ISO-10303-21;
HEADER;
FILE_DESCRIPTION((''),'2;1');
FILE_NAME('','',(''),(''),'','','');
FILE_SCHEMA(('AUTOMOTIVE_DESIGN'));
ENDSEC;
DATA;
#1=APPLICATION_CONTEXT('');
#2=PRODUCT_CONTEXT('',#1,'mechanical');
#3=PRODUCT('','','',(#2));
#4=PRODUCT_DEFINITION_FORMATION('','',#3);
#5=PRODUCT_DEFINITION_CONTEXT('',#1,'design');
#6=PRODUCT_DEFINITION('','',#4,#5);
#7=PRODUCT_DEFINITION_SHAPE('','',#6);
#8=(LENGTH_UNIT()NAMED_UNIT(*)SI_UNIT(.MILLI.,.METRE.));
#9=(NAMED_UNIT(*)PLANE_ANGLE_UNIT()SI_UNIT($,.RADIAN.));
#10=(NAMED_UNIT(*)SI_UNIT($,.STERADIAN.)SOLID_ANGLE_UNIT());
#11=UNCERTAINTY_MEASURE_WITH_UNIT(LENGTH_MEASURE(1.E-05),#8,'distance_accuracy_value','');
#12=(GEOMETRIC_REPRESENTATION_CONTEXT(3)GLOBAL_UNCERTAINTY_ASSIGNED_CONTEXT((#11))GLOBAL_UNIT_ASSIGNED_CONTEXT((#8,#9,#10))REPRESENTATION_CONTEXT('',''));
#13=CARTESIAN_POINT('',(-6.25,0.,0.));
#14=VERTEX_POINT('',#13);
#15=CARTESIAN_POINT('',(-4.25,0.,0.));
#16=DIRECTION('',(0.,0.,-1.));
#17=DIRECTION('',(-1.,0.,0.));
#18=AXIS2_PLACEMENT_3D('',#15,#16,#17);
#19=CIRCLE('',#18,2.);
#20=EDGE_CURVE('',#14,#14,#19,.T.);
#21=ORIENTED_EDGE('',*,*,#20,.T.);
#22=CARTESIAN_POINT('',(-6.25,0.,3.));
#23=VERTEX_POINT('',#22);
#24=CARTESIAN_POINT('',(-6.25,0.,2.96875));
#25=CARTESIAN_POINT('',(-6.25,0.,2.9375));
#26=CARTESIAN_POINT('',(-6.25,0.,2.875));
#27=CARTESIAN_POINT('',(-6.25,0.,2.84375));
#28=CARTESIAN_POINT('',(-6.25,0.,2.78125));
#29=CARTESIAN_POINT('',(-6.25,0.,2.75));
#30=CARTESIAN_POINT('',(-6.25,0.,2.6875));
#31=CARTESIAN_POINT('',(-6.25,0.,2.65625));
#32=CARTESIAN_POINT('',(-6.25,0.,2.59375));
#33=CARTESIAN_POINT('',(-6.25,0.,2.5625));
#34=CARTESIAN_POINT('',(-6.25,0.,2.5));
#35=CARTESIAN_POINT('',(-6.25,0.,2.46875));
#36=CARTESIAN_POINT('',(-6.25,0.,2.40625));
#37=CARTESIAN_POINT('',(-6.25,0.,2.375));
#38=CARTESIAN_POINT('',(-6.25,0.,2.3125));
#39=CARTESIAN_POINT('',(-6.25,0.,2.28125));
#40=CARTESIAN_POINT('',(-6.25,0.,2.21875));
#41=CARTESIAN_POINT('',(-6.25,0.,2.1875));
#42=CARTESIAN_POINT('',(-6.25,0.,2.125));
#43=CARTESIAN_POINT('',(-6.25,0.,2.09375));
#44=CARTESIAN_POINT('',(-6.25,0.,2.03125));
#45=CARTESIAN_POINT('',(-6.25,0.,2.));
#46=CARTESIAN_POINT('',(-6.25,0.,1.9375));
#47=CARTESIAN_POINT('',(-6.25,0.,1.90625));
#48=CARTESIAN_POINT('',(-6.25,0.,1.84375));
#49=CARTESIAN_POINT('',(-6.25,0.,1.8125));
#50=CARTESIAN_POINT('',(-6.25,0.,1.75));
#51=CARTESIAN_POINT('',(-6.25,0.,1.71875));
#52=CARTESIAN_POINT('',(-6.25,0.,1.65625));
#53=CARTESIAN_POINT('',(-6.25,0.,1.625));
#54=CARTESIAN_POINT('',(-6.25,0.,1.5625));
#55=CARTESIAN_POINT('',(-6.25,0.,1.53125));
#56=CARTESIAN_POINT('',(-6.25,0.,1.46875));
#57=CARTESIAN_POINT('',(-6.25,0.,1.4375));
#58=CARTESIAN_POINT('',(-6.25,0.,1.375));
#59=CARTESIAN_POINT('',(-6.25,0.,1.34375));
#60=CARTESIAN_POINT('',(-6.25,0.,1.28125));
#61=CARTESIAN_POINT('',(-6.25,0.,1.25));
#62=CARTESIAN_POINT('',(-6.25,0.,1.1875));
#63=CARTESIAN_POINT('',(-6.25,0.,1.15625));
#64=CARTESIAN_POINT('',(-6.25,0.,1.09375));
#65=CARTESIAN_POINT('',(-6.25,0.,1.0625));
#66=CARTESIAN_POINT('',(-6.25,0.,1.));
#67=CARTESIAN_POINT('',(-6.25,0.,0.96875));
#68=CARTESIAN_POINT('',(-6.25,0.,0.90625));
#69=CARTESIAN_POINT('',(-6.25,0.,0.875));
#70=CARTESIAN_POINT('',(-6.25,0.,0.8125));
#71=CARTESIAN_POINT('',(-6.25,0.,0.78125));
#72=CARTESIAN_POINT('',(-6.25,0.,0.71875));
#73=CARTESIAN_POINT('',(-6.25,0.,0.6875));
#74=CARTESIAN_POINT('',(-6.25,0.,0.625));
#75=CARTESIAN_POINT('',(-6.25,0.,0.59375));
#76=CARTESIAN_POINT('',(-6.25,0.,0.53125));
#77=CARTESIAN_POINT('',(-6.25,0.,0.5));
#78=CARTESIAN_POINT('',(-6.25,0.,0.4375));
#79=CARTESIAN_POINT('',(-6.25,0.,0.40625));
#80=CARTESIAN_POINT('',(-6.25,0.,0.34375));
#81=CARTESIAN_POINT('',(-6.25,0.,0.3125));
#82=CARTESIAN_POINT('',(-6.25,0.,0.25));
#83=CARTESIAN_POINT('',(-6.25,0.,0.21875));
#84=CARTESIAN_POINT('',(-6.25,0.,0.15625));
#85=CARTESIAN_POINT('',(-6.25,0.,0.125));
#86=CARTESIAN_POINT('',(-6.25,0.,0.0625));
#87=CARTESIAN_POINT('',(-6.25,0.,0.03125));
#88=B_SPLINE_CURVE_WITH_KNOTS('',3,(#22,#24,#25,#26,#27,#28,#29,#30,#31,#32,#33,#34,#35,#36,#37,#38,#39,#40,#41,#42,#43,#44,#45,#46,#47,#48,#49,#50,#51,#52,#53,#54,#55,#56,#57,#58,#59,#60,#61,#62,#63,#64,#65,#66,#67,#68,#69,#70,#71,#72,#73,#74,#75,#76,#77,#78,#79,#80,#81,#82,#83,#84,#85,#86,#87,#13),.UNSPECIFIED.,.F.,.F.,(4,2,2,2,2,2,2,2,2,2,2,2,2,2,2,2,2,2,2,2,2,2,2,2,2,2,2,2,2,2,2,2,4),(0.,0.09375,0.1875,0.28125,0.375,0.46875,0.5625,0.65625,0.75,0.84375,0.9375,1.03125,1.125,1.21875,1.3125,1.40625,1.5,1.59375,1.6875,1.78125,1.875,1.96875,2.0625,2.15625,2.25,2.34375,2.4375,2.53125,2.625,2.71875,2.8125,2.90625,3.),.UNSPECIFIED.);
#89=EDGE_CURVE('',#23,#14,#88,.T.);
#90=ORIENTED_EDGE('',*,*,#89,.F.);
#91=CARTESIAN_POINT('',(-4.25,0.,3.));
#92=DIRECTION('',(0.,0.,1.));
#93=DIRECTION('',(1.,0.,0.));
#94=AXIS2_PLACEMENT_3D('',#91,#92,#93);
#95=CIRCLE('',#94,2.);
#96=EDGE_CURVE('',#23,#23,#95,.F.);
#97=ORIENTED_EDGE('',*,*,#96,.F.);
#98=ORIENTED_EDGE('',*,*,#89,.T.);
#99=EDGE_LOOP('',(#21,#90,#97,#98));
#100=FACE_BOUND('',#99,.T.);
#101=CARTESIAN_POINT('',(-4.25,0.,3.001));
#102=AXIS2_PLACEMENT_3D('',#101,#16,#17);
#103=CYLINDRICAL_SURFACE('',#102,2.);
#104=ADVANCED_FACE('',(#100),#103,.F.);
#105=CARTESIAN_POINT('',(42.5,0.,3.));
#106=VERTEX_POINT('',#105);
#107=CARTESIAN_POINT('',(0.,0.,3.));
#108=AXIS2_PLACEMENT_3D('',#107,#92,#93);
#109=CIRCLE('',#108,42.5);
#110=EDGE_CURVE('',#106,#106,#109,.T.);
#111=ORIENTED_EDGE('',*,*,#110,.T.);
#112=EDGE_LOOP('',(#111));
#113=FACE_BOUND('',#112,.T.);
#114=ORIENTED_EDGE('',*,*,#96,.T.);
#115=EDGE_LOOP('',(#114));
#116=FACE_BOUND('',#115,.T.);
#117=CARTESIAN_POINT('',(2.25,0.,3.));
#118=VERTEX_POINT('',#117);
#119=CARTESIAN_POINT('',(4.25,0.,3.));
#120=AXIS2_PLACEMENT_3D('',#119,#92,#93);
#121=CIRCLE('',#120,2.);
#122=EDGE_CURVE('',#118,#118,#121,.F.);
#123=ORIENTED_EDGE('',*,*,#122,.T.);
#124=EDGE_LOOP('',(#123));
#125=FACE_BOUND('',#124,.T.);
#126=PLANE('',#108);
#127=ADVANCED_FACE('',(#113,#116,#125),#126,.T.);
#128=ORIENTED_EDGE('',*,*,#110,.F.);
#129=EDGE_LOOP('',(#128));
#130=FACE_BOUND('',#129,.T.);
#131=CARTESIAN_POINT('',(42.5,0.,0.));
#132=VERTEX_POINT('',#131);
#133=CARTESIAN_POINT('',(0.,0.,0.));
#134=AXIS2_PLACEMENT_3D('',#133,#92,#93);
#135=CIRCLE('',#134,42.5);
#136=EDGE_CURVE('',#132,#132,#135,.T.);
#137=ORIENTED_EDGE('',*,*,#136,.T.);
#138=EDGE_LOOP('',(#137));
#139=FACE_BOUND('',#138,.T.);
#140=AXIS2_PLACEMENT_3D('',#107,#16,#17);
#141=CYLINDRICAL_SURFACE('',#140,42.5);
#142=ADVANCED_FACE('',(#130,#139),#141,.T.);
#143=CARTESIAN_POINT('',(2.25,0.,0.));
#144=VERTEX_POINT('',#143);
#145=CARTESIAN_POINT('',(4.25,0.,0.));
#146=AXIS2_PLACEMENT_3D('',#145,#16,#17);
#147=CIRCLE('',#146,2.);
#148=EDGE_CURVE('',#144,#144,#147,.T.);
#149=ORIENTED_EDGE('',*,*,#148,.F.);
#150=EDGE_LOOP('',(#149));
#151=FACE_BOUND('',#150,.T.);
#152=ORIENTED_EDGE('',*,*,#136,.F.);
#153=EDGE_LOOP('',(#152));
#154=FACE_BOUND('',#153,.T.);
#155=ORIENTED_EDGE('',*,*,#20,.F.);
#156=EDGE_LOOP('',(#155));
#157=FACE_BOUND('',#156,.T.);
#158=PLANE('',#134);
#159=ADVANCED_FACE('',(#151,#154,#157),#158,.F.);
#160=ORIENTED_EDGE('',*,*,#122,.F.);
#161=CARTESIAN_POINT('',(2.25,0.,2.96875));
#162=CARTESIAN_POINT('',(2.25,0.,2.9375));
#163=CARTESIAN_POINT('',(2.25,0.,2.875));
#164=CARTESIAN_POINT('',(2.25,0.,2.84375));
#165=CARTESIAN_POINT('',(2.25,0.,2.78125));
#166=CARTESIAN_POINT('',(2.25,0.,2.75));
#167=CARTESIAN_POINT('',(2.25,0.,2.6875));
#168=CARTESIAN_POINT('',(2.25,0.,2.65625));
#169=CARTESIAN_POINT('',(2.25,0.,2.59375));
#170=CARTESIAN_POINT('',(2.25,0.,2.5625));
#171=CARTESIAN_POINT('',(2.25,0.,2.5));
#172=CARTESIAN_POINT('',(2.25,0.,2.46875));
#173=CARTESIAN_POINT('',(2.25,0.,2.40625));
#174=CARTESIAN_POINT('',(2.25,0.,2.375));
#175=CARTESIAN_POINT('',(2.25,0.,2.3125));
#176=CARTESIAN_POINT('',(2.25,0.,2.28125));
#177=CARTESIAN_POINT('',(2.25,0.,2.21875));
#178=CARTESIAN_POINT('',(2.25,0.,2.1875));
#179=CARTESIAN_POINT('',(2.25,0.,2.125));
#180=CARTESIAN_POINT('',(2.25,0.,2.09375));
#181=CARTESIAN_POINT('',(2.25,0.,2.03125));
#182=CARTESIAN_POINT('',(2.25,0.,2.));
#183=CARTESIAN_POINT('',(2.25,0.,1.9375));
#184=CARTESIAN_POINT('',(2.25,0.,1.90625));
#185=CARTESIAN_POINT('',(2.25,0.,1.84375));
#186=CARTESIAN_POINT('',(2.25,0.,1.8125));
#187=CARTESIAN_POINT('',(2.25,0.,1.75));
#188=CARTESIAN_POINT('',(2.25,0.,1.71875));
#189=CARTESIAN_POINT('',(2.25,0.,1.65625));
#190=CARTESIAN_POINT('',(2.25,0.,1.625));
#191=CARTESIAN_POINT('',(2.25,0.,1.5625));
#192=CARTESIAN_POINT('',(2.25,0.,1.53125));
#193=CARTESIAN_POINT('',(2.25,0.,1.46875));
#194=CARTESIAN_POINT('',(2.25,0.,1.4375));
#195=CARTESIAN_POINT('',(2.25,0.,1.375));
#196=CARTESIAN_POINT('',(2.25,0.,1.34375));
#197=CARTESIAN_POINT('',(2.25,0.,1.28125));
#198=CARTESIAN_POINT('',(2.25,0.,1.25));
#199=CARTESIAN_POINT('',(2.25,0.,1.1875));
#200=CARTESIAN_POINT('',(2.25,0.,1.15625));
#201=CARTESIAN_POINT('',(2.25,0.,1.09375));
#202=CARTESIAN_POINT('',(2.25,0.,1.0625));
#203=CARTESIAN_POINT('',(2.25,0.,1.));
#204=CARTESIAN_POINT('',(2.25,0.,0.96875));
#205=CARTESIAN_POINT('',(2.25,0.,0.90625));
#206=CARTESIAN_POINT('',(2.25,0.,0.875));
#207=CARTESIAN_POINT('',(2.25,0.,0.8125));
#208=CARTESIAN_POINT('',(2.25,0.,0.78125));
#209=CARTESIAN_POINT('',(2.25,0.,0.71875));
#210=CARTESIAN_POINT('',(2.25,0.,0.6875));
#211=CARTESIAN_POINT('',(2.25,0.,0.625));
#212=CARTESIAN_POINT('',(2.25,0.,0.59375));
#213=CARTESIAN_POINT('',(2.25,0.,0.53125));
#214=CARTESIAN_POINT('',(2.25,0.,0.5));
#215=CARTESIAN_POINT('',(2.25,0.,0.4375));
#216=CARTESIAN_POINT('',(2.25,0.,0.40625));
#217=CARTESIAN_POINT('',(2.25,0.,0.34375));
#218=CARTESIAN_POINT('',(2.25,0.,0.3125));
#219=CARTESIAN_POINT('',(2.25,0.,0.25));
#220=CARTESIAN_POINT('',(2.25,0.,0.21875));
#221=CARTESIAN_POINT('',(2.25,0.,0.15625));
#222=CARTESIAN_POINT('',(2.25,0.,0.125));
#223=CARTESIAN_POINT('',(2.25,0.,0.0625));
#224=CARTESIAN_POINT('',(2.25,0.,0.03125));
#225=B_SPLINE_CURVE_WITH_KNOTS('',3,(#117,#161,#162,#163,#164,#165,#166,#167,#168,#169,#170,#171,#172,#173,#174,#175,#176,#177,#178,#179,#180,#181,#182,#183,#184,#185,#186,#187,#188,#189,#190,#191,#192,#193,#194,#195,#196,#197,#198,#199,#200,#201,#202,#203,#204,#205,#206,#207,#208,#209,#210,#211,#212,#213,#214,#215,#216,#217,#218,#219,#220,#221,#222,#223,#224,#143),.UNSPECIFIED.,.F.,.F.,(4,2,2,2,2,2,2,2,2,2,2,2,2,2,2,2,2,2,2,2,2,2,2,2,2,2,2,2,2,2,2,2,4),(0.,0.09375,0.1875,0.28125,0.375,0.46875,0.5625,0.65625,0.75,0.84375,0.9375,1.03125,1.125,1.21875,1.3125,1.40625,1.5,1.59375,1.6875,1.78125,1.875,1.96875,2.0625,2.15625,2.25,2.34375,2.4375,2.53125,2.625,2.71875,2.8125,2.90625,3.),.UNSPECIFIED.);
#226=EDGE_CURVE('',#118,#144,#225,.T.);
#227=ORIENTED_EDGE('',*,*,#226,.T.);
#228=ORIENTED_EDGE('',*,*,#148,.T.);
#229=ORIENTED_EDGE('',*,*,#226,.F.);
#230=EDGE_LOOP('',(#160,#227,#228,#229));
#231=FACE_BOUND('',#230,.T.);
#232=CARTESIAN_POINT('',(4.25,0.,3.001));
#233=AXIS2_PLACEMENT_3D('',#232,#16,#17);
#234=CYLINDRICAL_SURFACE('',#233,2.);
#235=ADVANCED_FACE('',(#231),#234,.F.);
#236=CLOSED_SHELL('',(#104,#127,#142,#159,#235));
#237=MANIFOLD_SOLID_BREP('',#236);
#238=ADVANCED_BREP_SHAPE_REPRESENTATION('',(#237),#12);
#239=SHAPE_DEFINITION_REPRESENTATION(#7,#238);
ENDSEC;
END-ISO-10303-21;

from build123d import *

# Parameters (mm, degrees)
SKETCH_1_R          = 42.5
EXTRUDE_1_DEPTH     = 3
CUT_EXTRUDE_1_REACH = 62.179
SKETCH_2_R          = 2


with BuildPart() as part:
    # 草图1 → 凸台-拉伸1 (new body)
    with BuildSketch(Plane.XY):
        Circle(SKETCH_1_R)
    extrude(amount=EXTRUDE_1_DEPTH)

    # 草图2 → 切除-拉伸1 (cut, up to next)
    with BuildSketch(Plane(origin=(0, 0, 0), x_dir=(-1, 0, 0), z_dir=(0, 0, -1)), mode=Mode.PRIVATE) as cut_extrude_1_sk1:
        with Locations((4.25, 0)):
            Circle(SKETCH_2_R)
    cut_extrude_1_tool1 = extrude(cut_extrude_1_sk1.sketch, amount=-CUT_EXTRUDE_1_REACH, mode=Mode.PRIVATE) & part.part
    # 草图2 → 切除-拉伸1 (cut, up to next)
    with BuildSketch(Plane(origin=(0, 0, 0), x_dir=(-1, 0, 0), z_dir=(0, 0, -1)), mode=Mode.PRIVATE) as cut_extrude_1_sk2:
        with Locations((-4.25, 0)):
            Circle(SKETCH_2_R)
    cut_extrude_1_tool2 = extrude(cut_extrude_1_sk2.sketch, amount=-CUT_EXTRUDE_1_REACH, mode=Mode.PRIVATE) & part.part
    add(cut_extrude_1_tool1.solids().sort_by_distance((-4.25, 0, 0))[0], mode=Mode.SUBTRACT)
    add(cut_extrude_1_tool2.solids().sort_by_distance((4.25, 0, 0))[0], mode=Mode.SUBTRACT)


solid = part.part
